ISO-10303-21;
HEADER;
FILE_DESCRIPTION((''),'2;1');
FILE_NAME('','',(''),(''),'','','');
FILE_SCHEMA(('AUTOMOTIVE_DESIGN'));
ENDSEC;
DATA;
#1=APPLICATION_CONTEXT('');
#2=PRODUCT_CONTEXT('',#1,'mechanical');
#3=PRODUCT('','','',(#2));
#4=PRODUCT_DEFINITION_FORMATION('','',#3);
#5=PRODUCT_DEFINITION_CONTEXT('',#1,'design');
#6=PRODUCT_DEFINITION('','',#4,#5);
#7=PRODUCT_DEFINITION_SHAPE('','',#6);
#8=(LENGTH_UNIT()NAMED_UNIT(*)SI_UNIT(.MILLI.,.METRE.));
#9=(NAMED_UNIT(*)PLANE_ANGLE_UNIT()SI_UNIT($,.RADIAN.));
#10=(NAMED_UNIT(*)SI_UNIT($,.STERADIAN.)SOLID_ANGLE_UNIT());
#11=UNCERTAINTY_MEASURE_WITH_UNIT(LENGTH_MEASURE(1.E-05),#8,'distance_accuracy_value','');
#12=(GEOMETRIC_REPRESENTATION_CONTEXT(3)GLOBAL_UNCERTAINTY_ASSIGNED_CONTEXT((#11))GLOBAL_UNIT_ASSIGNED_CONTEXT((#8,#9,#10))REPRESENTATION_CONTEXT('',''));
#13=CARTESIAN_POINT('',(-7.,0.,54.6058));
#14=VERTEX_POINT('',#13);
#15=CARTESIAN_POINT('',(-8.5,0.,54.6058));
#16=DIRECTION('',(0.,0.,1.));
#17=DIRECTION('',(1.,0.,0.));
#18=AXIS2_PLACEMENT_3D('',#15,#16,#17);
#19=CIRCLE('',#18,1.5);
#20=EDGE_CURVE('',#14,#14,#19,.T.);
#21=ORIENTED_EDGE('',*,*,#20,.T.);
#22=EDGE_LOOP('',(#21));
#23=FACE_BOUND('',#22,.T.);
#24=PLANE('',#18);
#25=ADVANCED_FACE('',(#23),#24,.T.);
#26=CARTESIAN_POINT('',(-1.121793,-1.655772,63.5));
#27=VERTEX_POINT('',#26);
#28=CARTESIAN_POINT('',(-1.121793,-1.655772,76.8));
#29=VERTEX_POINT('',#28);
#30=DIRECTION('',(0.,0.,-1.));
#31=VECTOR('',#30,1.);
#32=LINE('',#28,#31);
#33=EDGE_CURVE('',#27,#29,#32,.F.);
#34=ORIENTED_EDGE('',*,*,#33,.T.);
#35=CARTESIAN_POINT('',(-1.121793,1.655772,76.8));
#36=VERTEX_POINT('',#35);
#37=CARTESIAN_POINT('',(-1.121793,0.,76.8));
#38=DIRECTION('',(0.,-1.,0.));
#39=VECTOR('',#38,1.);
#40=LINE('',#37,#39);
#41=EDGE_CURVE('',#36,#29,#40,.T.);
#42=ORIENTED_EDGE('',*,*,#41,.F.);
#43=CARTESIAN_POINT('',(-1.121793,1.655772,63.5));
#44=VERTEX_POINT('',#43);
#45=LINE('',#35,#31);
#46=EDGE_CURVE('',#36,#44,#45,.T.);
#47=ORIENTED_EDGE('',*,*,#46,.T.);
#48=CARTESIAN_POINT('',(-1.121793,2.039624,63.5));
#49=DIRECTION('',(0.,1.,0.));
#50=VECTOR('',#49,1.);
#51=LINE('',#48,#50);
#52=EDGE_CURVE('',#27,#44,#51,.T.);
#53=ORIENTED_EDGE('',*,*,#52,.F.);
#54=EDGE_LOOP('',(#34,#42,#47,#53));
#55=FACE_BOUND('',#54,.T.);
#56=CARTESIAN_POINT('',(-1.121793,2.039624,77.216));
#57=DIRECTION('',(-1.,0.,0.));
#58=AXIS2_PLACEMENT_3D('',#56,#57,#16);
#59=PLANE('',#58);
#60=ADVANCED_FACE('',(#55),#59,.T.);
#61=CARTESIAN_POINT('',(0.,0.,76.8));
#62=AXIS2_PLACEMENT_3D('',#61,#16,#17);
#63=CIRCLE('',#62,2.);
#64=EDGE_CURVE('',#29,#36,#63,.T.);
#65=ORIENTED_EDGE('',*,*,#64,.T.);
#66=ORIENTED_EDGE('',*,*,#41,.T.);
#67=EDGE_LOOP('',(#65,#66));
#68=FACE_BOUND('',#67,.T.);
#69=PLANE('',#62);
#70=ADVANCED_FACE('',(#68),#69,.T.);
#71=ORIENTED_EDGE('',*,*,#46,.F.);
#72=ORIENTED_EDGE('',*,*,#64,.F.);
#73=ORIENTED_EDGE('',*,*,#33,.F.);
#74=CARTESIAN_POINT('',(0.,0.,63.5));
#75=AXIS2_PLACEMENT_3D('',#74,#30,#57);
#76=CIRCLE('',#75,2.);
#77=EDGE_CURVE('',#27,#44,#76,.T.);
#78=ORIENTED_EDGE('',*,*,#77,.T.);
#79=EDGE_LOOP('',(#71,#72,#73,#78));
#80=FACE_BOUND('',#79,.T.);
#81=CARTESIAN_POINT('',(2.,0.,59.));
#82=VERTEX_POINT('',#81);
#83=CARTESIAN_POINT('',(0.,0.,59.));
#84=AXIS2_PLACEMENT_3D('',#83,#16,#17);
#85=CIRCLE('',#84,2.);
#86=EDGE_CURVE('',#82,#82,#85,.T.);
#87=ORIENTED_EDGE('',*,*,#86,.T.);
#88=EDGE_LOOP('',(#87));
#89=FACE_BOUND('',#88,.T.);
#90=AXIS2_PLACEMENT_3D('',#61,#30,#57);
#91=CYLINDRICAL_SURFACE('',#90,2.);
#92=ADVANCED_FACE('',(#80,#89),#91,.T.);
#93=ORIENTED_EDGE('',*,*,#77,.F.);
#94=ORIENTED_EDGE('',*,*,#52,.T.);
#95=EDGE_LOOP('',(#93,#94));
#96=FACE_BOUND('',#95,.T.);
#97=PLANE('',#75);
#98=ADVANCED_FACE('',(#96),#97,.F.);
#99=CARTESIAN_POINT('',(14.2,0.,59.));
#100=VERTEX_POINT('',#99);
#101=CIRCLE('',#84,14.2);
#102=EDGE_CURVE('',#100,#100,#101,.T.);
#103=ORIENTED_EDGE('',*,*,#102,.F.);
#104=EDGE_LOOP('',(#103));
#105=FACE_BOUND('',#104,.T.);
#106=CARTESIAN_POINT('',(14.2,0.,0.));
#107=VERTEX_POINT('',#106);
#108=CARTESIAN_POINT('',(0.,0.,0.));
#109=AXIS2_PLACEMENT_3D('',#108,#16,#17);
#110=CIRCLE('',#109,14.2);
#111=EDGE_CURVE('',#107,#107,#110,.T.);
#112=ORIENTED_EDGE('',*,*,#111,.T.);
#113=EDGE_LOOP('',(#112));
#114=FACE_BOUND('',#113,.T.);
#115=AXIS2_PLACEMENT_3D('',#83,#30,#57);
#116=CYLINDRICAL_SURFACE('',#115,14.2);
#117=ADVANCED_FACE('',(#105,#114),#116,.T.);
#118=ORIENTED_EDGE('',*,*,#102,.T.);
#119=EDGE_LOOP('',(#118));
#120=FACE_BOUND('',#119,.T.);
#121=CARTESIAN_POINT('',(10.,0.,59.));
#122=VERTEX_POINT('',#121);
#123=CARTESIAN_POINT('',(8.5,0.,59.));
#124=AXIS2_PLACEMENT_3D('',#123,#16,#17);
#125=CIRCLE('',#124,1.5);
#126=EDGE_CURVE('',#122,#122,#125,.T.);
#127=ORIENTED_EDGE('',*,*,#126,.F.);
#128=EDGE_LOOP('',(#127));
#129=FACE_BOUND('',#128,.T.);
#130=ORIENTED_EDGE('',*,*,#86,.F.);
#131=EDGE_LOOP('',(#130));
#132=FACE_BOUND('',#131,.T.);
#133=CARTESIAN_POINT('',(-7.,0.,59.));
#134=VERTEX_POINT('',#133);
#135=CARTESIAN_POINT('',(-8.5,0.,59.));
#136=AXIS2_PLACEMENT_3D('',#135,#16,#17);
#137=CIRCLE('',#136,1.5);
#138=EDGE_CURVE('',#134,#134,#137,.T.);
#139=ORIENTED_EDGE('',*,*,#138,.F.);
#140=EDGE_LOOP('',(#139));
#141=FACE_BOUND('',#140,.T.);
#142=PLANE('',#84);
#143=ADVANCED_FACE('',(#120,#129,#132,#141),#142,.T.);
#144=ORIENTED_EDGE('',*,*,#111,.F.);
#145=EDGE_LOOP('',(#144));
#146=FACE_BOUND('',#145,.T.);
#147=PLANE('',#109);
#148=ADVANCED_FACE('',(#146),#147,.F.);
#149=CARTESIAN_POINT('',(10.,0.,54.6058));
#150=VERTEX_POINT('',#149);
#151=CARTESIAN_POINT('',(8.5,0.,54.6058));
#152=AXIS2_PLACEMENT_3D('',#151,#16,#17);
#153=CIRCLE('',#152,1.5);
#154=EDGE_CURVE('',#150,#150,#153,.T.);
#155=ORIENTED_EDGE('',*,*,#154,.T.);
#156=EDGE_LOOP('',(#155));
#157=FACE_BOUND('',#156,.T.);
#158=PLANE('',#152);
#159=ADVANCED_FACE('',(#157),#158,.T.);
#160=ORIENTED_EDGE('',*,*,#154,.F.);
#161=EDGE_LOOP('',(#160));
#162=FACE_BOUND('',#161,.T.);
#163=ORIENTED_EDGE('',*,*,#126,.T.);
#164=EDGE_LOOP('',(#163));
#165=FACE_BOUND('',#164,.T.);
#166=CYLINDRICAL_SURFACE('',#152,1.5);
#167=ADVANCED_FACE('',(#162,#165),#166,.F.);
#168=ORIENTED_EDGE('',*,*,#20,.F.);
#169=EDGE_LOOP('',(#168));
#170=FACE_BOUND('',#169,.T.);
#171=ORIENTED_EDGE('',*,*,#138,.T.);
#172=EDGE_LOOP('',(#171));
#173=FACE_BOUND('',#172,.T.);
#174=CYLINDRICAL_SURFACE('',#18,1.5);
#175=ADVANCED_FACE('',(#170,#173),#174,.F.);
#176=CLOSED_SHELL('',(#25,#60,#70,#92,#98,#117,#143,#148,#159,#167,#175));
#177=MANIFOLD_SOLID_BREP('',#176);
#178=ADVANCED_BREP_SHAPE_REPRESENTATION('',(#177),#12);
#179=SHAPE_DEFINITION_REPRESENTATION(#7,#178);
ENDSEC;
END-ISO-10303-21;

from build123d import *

# Parameters (mm, degrees)
SKETCH1_R           = 14.2
BOSS_EXTRUDE1_DEPTH = 59
SKETCH2_R           = 2
BOSS_EXTRUDE2_DEPTH = 17.8
SKETCH3_R           = 1.5
CUT_EXTRUDE1_DEPTH  = 4.3942
SKETCH5_W           = 1.529717974
SKETCH5_H           = 4.18122913
CUT_EXTRUDE2_DEPTH  = 13.716


with BuildPart() as part:
    # Sketch1 → Boss-Extrude1 (new body)
    with BuildSketch(Plane.XY):
        Circle(SKETCH1_R)
    extrude(amount=BOSS_EXTRUDE1_DEPTH)

    # Sketch2 → Boss-Extrude2 (add)
    with BuildSketch(Plane.XY.offset(59)):
        Circle(SKETCH2_R)
    extrude(amount=BOSS_EXTRUDE2_DEPTH)

    # Sketch3 → Cut-Extrude1 (cut)
    with BuildSketch(Plane.XY.offset(59)):
        with Locations((-8.5, 0)):
            Circle(SKETCH3_R)
        with Locations((8.5, 0)):
            Circle(SKETCH3_R)
    extrude(amount=-CUT_EXTRUDE1_DEPTH, mode=Mode.SUBTRACT)

    # Sketch5 → Cut-Extrude2 (cut)
    with BuildSketch(Plane.XY.offset(63.5)):
        with Locations((-1.886652168, -0.050990599)):
            Rectangle(SKETCH5_W, SKETCH5_H)
    extrude(amount=CUT_EXTRUDE2_DEPTH, mode=Mode.SUBTRACT)


solid = part.part
